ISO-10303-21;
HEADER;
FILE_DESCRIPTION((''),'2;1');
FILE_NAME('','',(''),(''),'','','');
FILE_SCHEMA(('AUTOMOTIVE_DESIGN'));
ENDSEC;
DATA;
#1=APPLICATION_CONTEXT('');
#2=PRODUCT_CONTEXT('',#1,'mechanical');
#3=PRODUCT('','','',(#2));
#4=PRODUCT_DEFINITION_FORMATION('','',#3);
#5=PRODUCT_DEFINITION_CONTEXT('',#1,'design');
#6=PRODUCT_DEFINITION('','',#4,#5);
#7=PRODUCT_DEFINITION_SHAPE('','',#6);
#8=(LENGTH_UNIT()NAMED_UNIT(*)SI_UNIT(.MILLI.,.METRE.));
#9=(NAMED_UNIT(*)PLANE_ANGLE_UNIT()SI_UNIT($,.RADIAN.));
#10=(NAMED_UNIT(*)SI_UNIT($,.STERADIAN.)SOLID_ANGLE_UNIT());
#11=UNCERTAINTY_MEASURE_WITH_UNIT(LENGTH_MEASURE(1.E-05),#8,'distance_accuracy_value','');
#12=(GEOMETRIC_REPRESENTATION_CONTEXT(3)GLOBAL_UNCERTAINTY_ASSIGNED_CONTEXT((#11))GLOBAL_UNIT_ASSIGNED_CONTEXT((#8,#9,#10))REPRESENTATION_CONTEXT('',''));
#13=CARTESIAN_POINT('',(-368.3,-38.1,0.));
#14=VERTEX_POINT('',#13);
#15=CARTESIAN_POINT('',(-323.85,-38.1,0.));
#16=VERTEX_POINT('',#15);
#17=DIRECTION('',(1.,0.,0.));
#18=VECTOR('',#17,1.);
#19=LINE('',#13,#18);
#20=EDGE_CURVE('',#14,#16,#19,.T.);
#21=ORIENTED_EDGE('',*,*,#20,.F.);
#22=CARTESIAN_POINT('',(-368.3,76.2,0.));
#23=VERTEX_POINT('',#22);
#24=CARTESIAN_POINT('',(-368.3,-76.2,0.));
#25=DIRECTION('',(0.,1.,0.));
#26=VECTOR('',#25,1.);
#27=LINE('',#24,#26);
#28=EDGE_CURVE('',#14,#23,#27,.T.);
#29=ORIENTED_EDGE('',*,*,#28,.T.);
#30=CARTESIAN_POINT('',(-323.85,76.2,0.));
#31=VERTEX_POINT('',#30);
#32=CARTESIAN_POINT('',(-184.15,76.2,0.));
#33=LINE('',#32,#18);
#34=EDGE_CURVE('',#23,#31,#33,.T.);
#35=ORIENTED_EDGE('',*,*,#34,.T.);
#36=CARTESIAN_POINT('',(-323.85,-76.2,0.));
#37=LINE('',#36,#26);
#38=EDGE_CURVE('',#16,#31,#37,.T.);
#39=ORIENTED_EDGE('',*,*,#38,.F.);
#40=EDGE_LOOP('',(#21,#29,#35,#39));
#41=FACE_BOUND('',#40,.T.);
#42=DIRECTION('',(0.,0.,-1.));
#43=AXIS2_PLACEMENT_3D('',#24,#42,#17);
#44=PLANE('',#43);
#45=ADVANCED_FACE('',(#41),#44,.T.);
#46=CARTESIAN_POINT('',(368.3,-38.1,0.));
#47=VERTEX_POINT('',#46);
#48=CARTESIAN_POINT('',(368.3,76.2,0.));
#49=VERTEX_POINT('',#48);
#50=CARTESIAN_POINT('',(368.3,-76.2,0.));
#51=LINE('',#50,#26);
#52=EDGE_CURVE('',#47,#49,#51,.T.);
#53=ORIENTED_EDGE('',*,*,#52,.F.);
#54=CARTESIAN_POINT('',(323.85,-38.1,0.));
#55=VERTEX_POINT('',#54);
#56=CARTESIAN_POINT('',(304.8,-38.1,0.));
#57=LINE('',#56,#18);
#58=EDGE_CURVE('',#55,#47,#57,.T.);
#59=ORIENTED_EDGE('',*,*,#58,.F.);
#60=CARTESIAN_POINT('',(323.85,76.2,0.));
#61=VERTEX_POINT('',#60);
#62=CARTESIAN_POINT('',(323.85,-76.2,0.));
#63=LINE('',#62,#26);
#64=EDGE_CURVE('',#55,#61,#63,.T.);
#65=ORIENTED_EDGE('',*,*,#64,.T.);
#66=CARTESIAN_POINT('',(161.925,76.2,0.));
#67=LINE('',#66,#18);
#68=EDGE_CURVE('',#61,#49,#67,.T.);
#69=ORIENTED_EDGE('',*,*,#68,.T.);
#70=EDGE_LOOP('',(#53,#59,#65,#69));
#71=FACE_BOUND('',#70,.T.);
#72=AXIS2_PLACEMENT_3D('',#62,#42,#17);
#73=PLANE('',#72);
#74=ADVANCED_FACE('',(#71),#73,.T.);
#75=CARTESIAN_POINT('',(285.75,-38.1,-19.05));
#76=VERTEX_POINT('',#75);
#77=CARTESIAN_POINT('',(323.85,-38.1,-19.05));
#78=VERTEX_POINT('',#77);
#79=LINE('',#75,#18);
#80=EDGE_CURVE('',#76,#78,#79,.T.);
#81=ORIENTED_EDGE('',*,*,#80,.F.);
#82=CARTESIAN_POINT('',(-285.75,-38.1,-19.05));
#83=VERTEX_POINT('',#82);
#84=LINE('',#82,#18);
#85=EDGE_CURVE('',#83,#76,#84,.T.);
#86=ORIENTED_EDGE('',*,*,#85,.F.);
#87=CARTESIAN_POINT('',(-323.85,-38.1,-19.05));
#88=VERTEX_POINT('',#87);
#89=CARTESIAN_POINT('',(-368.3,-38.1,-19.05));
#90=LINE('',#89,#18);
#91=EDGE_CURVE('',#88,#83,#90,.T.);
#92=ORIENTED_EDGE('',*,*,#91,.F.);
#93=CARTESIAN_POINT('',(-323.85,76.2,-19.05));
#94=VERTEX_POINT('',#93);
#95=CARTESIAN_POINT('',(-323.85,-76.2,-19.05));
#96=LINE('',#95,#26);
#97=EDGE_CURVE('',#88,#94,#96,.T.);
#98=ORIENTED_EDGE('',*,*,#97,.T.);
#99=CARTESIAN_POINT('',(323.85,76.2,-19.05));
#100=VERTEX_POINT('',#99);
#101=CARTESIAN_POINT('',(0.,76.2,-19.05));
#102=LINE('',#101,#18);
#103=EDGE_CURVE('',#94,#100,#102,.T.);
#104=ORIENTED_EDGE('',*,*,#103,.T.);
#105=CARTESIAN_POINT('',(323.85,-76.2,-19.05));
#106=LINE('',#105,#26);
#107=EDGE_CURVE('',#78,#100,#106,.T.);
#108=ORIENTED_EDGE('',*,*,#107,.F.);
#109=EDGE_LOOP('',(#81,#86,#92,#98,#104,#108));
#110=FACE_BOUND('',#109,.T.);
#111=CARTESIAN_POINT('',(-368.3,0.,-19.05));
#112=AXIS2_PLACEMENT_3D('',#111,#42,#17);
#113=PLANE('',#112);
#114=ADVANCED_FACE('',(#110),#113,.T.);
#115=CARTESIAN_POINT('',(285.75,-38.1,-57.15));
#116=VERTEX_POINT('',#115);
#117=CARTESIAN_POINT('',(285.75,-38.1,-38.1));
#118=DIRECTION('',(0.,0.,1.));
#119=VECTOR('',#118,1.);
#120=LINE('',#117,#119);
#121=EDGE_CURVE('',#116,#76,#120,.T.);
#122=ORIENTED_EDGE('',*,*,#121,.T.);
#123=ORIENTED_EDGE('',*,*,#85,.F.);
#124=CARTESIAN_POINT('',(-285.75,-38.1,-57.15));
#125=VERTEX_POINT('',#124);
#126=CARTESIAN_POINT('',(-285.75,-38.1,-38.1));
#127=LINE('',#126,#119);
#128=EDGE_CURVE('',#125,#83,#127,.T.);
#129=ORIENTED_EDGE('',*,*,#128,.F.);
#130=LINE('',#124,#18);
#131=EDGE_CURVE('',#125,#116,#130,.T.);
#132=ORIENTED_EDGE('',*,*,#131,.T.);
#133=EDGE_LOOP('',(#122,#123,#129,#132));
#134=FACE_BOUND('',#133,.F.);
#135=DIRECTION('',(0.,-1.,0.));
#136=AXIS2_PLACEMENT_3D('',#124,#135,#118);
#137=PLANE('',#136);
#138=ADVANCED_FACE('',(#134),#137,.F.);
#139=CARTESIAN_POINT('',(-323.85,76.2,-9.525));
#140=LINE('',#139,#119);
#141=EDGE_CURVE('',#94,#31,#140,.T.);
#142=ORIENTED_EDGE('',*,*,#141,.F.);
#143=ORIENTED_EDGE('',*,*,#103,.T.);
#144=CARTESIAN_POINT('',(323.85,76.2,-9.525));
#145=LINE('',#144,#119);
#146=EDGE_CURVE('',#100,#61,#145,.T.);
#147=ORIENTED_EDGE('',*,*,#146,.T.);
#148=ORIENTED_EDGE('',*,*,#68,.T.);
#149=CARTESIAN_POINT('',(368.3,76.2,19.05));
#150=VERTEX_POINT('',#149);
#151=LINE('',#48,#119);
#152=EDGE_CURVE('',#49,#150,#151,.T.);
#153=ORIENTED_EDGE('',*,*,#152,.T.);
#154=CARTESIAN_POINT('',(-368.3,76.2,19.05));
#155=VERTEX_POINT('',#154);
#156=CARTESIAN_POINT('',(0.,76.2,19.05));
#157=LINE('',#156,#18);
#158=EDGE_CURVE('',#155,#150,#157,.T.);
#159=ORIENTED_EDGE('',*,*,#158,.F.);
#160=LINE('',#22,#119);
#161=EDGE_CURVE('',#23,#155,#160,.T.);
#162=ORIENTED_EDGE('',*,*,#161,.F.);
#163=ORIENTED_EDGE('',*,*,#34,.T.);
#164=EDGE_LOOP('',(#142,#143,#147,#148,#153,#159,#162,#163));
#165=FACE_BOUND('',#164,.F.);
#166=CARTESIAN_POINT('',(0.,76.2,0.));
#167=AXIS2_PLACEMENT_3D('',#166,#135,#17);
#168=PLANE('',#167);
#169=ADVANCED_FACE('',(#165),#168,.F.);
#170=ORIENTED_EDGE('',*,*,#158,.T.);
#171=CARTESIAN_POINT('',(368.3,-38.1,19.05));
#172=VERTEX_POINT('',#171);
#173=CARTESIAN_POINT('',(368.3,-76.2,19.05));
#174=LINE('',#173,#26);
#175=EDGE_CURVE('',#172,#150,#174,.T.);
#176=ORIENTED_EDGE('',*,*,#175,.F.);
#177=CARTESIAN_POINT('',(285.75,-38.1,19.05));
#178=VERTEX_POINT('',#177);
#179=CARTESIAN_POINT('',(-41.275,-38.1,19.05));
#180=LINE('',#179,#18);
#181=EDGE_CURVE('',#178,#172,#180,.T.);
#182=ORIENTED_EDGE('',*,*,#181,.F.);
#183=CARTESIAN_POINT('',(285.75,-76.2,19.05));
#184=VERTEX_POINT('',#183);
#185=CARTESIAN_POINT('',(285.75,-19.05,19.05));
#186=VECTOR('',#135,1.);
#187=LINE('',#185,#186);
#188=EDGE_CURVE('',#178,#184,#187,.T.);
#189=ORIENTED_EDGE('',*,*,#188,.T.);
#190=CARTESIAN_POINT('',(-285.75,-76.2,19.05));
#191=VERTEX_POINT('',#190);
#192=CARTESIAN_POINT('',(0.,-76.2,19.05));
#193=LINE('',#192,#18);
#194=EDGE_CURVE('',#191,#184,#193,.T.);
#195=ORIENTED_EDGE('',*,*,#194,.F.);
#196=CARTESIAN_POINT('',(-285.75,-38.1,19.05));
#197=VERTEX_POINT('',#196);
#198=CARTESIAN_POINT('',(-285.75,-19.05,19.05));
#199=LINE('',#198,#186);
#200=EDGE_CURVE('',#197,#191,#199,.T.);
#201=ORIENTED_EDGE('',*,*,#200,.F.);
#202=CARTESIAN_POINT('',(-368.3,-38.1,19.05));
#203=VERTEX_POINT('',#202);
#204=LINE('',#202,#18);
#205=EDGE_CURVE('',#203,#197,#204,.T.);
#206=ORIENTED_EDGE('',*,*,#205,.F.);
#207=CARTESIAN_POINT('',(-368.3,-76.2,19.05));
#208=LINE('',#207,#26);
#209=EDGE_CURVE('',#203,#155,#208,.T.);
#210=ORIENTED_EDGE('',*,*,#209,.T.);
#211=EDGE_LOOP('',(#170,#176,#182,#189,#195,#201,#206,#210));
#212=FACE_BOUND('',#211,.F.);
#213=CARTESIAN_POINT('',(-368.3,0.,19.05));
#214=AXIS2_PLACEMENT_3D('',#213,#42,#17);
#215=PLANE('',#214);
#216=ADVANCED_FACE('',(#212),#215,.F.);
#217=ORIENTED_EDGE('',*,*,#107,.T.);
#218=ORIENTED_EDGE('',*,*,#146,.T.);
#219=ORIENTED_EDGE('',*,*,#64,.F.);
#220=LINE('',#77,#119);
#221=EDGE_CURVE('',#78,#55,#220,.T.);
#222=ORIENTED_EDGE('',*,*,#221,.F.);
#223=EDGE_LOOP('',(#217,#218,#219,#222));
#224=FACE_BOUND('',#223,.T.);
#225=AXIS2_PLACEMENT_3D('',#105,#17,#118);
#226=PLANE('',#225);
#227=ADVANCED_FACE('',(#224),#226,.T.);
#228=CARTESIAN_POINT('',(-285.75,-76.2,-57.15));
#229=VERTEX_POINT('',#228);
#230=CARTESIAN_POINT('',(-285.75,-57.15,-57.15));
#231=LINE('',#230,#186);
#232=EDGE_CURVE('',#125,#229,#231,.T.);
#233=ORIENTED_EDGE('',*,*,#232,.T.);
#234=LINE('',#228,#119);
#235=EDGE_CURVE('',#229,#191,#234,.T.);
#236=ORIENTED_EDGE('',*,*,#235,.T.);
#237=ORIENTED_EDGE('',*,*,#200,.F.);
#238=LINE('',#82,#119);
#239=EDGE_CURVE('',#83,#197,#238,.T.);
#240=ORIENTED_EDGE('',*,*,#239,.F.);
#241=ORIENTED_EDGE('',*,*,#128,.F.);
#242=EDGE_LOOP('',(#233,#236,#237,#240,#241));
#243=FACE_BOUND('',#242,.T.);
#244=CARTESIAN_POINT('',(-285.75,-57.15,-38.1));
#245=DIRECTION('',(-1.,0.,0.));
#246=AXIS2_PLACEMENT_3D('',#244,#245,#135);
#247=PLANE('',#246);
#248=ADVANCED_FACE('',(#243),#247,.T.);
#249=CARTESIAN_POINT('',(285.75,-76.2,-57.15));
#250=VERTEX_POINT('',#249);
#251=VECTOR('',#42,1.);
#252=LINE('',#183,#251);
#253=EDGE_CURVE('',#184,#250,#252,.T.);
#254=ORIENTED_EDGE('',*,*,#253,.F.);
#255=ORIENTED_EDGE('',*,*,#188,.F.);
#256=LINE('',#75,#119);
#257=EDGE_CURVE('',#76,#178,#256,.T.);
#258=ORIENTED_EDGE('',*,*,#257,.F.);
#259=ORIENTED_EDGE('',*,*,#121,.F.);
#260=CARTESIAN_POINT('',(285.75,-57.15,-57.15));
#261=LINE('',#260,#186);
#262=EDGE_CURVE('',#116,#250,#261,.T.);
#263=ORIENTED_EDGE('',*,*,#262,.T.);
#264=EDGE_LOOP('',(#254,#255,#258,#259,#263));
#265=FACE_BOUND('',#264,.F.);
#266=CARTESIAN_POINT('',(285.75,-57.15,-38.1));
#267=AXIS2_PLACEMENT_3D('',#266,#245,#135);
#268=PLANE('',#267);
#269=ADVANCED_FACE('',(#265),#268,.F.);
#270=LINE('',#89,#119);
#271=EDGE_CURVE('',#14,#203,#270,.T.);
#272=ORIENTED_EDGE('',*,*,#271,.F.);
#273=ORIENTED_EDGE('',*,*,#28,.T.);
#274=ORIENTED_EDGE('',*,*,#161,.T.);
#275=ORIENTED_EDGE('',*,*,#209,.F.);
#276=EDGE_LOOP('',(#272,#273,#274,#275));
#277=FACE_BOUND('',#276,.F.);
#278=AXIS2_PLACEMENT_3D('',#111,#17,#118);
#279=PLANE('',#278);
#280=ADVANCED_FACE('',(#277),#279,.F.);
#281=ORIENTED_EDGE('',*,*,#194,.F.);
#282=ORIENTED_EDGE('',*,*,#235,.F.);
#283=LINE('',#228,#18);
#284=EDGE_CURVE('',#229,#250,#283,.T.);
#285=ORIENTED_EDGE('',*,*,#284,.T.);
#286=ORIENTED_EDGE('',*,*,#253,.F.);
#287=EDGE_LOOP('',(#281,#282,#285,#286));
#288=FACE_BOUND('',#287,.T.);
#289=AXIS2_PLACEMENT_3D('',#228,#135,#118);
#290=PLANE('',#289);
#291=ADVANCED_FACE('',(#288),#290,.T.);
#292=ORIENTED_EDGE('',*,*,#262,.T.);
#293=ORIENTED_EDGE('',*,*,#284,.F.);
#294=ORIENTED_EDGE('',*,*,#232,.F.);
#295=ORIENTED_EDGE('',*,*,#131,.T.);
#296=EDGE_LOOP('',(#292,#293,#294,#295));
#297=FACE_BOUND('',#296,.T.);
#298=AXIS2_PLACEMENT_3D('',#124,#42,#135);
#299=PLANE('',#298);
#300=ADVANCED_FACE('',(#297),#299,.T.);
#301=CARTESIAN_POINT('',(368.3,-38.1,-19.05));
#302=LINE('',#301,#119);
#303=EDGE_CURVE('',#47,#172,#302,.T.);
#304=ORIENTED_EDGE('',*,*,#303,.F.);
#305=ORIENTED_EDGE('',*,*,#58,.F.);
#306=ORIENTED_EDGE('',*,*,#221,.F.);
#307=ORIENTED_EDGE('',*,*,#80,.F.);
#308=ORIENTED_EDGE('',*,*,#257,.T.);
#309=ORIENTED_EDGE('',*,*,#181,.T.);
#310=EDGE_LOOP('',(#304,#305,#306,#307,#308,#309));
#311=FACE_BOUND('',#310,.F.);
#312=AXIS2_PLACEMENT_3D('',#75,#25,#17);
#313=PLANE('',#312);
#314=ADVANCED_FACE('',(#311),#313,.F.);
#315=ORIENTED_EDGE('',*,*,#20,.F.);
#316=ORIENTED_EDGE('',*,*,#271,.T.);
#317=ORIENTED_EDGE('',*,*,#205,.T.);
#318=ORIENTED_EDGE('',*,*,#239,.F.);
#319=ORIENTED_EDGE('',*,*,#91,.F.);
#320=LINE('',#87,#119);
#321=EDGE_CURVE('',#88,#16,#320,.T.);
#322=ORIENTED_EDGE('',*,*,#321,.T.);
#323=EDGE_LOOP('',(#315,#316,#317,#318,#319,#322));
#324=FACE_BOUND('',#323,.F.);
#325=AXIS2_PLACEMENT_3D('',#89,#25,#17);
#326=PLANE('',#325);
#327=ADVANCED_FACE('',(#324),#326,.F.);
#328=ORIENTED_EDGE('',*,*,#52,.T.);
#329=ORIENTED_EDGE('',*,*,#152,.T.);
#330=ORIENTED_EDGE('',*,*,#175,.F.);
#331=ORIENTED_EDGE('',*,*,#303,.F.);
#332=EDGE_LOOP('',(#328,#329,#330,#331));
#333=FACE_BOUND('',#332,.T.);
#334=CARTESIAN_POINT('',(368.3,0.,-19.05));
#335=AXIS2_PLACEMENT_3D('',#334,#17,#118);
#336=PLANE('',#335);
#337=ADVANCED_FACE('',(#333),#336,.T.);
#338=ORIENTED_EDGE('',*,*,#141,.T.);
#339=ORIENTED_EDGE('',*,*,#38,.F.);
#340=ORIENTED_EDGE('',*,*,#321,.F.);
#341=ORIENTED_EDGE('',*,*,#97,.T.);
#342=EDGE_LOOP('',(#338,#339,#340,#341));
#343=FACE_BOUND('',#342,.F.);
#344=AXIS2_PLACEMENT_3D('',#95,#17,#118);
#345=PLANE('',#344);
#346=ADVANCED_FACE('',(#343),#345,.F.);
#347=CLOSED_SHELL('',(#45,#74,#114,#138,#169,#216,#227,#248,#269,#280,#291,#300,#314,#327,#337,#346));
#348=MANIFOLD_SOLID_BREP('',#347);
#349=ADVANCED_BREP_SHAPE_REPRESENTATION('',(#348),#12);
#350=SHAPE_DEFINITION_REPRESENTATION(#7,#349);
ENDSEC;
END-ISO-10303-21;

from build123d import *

# Parameters (mm, degrees)
F0_W     = 736.6
F0_H     = 38.1
F1_DEPTH = 76.2
F2_W     = 44.45
F2_H     = 19.05
F3_DEPTH = 152.401
F4_W     = 44.45
F4_H     = 38.1
F4_W_2   = 38.1
F5_DEPTH = 38.101
F6_W     = 38.1
F6_H     = 38.1
F7_DEPTH = 571.5


with BuildPart() as f1:
    # F0 (on Front) → F1 (new body, symmetric)
    with BuildSketch(Plane.XZ):
        Rectangle(F0_W, F0_H)
    extrude(amount=F1_DEPTH, both=True)

    # F2 (on face) → F3 (cut, through all)
    with BuildSketch(Plane.XZ.offset(76.2)):
        with Locations((-346.075, -9.525)):
            Rectangle(F2_W, F2_H)
        with Locations((346.075, -9.525)):
            Rectangle(F2_W, F2_H)
    extrude(amount=-F3_DEPTH, mode=Mode.SUBTRACT)

    # F4 (on face) → F5 (cut, through all)
    with BuildSketch(Plane(origin=(0, 0, -19.05), x_dir=(1, 0, 0), z_dir=(0, 0, -1))):
        with Locations((-346.075, 57.15)):
            Rectangle(F4_W, F4_H)
        with Locations((-304.8, 57.15)):
            Rectangle(F4_W_2, F4_H)
        with Locations((304.8, 57.15)):
            Rectangle(F4_W_2, F4_H)
        with Locations((346.075, 57.15)):
            Rectangle(F4_W, F4_H)
    extrude(amount=-F5_DEPTH, mode=Mode.SUBTRACT)

    # F6 (on face) → F7 (join, through all)
    with BuildSketch(Plane(origin=(-285.75, 0, 0), x_dir=(0, -1, 0), z_dir=(-1, 0, 0))):
        with Locations((57.15, -38.1)):
            Rectangle(F6_W, F6_H)
    extrude(amount=-F7_DEPTH)


solid = f1.part
